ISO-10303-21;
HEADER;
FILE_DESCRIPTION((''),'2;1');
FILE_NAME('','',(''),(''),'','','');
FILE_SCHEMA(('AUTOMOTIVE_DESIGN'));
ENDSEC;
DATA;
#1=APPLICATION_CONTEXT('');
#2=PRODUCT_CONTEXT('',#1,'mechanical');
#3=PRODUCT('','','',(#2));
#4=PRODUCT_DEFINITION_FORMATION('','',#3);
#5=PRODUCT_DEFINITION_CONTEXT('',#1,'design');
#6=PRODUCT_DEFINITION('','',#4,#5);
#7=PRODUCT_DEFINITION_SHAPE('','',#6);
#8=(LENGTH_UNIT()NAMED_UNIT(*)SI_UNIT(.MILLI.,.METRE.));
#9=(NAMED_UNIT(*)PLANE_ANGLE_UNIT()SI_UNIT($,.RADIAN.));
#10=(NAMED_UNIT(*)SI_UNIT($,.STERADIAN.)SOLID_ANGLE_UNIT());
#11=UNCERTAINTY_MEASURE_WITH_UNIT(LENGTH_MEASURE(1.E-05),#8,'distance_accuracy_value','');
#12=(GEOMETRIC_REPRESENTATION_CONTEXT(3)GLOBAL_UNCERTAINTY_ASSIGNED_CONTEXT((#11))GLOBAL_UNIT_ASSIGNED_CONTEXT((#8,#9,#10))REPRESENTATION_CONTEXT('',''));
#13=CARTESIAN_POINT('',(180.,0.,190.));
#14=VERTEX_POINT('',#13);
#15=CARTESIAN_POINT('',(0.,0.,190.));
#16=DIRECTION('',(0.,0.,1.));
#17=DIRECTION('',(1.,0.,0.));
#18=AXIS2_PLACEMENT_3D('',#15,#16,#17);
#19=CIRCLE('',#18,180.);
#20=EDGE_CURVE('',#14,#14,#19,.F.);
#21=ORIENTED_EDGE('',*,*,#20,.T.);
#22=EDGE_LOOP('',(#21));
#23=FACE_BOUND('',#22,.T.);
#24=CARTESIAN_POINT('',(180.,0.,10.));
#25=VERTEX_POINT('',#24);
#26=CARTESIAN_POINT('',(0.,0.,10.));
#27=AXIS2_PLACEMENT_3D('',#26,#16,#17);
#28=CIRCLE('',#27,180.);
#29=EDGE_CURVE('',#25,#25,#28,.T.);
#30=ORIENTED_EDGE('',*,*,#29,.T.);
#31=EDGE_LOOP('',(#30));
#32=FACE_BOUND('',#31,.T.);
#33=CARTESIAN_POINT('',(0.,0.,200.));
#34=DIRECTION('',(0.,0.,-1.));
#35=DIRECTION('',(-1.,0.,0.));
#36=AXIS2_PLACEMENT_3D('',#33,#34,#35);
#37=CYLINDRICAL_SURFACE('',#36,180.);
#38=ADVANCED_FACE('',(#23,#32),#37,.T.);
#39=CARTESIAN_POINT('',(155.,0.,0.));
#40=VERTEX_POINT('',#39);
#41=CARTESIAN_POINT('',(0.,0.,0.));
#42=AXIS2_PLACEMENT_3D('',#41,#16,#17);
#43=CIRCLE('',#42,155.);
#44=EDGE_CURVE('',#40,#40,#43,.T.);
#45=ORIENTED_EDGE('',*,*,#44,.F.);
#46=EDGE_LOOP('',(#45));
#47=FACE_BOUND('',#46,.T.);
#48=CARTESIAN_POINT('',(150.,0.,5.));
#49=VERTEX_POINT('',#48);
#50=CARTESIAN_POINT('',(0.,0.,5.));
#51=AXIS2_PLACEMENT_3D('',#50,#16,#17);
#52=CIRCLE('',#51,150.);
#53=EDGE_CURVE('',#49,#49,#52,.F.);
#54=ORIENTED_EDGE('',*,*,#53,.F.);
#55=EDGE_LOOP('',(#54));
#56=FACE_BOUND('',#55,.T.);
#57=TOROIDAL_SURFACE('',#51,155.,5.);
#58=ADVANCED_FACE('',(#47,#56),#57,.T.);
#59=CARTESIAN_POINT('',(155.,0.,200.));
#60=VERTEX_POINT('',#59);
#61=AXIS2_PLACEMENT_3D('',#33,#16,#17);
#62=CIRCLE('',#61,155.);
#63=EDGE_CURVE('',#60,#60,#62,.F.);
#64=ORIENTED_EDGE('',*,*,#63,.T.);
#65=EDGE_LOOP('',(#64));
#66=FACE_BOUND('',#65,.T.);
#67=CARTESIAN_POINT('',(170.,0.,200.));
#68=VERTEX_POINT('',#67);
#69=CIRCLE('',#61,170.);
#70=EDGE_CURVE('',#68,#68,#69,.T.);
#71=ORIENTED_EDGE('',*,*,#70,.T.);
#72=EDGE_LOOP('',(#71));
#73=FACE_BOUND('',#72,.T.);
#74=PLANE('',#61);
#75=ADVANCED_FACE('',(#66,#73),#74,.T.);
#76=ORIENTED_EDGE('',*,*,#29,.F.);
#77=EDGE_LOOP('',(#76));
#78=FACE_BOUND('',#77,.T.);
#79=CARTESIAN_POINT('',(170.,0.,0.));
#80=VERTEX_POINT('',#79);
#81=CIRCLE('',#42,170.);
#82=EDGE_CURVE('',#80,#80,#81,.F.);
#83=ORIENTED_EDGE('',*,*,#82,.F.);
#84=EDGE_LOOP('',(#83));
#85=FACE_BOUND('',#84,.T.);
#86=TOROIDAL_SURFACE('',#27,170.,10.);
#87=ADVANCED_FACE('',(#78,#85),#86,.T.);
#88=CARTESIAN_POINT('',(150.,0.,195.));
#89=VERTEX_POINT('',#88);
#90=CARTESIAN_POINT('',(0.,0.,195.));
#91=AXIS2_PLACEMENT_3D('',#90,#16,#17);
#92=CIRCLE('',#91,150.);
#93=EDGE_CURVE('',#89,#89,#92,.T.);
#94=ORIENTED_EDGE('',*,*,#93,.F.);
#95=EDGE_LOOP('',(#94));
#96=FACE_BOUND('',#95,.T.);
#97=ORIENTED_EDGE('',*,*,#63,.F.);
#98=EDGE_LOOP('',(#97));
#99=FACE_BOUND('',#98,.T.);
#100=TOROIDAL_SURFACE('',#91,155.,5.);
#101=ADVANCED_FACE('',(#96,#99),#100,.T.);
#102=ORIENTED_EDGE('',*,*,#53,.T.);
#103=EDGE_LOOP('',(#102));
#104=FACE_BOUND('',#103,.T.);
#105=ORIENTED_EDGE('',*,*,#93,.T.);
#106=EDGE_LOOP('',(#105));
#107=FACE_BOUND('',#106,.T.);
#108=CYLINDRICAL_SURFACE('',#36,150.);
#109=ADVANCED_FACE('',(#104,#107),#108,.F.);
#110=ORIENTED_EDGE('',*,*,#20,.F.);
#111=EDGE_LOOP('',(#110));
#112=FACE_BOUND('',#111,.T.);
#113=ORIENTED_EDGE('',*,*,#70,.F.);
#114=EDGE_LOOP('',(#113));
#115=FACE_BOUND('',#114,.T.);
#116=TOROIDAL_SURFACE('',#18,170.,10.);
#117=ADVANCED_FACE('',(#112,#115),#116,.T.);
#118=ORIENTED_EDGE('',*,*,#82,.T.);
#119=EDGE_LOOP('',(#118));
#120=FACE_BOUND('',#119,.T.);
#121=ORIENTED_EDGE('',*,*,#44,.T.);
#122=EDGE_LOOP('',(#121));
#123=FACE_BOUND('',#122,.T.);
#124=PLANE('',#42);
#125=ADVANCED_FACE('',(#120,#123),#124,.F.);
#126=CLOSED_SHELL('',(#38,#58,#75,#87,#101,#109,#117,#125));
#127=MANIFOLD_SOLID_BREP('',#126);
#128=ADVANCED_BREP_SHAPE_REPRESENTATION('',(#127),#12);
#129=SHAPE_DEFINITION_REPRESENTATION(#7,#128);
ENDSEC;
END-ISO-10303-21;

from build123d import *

# Parameters (mm, degrees)
IZIM1_R                     = 180
Y_KSEKLIK_EKSTR_ZYON1_DEPTH = 200
RADYUS2_R                   = 10
IZIM2_R                     = 150
KES_EKSTR_ZYON1_DEPTH       = 200
RADYUS3_R                   = 5


with BuildPart() as part:
    # Çizim1 → Yükseklik-Ekstrüzyon1 (new body)
    with BuildSketch(Plane.XY):
        Circle(IZIM1_R)
    extrude(amount=Y_KSEKLIK_EKSTR_ZYON1_DEPTH)

    # Radyus2
    radyus2_edges = [part.edges().sort_by_distance(p)[0] for p in [
        (-180, 0, 0),
        (-180, 0, 200),
    ]]
    fillet(radyus2_edges, radius=RADYUS2_R)

    # Çizim2 → Kes-Ekstrüzyon1 (cut)
    with BuildSketch(Plane(origin=(0, 0, 0), x_dir=(-1, 0, 0), z_dir=(0, 0, -1))):
        Circle(IZIM2_R)
    extrude(amount=-KES_EKSTR_ZYON1_DEPTH, mode=Mode.SUBTRACT)

    # Radyus3
    radyus3_edges = [part.edges().sort_by_distance(p)[0] for p in [
        (150, 0, 200),
        (150, 0, 0),
    ]]
    fillet(radyus3_edges, radius=RADYUS3_R)


solid = part.part
